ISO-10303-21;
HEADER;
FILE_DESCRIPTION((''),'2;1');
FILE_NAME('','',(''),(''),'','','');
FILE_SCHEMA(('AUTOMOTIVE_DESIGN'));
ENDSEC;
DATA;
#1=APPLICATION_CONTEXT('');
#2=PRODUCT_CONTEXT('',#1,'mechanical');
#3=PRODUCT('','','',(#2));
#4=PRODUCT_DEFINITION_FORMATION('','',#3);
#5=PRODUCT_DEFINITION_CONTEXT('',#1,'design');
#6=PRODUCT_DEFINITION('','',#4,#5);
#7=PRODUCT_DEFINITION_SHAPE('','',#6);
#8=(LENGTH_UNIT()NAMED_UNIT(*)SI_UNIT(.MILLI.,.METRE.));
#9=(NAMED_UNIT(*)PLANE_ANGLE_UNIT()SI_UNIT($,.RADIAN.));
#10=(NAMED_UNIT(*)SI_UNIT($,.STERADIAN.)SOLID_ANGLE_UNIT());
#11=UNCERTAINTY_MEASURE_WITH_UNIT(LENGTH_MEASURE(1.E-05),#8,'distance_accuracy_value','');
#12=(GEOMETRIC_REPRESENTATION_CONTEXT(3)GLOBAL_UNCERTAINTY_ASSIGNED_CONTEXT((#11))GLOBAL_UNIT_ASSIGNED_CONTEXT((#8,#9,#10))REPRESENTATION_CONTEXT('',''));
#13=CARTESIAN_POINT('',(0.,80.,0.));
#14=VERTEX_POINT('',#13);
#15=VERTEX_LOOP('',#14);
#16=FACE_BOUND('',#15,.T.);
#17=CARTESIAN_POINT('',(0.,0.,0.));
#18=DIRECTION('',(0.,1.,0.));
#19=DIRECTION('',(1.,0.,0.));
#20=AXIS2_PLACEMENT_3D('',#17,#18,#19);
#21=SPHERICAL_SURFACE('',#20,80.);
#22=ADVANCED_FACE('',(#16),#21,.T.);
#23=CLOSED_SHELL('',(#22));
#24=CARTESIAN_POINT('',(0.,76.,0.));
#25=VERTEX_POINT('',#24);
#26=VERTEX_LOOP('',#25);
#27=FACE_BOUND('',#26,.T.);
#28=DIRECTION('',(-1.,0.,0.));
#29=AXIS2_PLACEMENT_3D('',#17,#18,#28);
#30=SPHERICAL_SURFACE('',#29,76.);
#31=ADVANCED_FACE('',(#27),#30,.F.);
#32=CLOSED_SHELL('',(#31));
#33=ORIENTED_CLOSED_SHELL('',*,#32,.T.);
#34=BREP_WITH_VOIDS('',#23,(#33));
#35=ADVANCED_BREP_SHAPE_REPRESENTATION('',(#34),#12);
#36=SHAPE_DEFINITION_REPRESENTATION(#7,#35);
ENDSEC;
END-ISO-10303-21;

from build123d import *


with BuildPart() as part:
    # Sketch1 → Revolve1 (revolve)
    with BuildSketch(Plane.XY):
        with BuildLine():
            Line((0, 80), (0, 76))
            ThreePointArc((0, 76), (-76, 0), (0, -76))
            Line((0, -76), (0, -80))
            ThreePointArc((0, -80), (-80, 0), (0, 80))
        make_face()
    revolve(axis=Axis((0, 105.084210526, 0), (0, -1, 0)))


solid = part.part
